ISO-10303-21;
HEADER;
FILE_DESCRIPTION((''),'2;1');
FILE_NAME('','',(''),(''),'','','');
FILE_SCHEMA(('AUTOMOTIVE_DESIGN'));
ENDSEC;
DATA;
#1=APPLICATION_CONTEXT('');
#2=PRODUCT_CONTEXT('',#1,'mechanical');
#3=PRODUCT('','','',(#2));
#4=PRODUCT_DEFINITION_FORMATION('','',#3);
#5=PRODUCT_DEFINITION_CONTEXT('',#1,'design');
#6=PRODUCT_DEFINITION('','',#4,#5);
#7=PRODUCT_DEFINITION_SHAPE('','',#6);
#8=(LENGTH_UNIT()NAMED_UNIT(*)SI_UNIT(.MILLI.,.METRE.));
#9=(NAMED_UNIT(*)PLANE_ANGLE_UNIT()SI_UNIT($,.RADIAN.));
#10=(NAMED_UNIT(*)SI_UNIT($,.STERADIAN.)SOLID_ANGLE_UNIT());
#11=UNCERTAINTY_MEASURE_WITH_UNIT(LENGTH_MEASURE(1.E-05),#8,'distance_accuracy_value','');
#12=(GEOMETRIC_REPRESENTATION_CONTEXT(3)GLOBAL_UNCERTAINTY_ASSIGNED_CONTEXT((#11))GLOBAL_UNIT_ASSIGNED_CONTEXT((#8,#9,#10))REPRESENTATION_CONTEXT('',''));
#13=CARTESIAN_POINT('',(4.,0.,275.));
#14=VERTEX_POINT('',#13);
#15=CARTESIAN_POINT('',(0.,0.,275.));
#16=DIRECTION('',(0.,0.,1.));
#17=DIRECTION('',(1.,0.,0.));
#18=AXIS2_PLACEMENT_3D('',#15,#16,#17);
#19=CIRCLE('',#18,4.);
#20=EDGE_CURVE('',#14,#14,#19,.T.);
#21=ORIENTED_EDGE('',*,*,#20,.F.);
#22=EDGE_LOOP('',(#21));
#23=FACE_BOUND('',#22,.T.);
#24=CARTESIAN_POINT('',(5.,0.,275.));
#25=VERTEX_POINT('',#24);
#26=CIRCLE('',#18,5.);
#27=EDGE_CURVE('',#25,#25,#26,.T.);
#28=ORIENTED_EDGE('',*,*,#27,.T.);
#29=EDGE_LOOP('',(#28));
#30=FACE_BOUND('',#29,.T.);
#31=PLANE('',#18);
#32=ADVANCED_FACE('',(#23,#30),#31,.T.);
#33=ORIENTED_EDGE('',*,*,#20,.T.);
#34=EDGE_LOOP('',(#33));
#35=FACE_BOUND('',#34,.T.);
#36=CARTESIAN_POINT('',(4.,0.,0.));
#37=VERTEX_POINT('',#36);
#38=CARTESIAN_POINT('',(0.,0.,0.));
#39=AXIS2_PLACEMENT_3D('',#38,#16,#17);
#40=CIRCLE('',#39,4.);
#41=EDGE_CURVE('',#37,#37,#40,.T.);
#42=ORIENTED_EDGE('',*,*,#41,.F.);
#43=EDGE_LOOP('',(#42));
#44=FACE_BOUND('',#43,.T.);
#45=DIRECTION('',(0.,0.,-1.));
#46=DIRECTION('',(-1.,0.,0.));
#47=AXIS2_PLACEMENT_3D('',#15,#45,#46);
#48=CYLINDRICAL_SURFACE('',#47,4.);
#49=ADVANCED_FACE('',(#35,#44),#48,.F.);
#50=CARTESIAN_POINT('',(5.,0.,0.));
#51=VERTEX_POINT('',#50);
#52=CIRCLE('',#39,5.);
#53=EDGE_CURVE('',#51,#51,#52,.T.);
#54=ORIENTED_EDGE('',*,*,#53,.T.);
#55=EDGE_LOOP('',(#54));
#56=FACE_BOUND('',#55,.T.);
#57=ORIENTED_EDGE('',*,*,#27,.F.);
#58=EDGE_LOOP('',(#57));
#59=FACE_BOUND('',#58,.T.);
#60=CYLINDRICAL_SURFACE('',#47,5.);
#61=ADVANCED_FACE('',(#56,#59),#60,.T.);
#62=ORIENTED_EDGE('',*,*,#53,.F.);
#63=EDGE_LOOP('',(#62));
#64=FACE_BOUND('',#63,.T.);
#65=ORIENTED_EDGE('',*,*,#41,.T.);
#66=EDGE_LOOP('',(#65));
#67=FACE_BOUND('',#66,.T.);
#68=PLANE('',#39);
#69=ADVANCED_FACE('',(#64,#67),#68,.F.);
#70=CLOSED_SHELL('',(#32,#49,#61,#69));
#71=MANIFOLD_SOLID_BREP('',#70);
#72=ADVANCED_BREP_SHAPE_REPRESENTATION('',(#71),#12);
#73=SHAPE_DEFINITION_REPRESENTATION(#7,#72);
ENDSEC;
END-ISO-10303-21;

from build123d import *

# Parameters (mm, degrees)
SKETCH_1_R      = 5
SKETCH_1_R_2    = 4
EXTRUDE_1_DEPTH = 275


with BuildPart() as part:
    # ｽｹｯﾁ1 → ﾎﾞｽ - 押し出し1 (new body)
    with BuildSketch(Plane.XY):
        Circle(SKETCH_1_R)
        Circle(SKETCH_1_R_2, mode=Mode.SUBTRACT)
    extrude(amount=EXTRUDE_1_DEPTH)


solid = part.part
